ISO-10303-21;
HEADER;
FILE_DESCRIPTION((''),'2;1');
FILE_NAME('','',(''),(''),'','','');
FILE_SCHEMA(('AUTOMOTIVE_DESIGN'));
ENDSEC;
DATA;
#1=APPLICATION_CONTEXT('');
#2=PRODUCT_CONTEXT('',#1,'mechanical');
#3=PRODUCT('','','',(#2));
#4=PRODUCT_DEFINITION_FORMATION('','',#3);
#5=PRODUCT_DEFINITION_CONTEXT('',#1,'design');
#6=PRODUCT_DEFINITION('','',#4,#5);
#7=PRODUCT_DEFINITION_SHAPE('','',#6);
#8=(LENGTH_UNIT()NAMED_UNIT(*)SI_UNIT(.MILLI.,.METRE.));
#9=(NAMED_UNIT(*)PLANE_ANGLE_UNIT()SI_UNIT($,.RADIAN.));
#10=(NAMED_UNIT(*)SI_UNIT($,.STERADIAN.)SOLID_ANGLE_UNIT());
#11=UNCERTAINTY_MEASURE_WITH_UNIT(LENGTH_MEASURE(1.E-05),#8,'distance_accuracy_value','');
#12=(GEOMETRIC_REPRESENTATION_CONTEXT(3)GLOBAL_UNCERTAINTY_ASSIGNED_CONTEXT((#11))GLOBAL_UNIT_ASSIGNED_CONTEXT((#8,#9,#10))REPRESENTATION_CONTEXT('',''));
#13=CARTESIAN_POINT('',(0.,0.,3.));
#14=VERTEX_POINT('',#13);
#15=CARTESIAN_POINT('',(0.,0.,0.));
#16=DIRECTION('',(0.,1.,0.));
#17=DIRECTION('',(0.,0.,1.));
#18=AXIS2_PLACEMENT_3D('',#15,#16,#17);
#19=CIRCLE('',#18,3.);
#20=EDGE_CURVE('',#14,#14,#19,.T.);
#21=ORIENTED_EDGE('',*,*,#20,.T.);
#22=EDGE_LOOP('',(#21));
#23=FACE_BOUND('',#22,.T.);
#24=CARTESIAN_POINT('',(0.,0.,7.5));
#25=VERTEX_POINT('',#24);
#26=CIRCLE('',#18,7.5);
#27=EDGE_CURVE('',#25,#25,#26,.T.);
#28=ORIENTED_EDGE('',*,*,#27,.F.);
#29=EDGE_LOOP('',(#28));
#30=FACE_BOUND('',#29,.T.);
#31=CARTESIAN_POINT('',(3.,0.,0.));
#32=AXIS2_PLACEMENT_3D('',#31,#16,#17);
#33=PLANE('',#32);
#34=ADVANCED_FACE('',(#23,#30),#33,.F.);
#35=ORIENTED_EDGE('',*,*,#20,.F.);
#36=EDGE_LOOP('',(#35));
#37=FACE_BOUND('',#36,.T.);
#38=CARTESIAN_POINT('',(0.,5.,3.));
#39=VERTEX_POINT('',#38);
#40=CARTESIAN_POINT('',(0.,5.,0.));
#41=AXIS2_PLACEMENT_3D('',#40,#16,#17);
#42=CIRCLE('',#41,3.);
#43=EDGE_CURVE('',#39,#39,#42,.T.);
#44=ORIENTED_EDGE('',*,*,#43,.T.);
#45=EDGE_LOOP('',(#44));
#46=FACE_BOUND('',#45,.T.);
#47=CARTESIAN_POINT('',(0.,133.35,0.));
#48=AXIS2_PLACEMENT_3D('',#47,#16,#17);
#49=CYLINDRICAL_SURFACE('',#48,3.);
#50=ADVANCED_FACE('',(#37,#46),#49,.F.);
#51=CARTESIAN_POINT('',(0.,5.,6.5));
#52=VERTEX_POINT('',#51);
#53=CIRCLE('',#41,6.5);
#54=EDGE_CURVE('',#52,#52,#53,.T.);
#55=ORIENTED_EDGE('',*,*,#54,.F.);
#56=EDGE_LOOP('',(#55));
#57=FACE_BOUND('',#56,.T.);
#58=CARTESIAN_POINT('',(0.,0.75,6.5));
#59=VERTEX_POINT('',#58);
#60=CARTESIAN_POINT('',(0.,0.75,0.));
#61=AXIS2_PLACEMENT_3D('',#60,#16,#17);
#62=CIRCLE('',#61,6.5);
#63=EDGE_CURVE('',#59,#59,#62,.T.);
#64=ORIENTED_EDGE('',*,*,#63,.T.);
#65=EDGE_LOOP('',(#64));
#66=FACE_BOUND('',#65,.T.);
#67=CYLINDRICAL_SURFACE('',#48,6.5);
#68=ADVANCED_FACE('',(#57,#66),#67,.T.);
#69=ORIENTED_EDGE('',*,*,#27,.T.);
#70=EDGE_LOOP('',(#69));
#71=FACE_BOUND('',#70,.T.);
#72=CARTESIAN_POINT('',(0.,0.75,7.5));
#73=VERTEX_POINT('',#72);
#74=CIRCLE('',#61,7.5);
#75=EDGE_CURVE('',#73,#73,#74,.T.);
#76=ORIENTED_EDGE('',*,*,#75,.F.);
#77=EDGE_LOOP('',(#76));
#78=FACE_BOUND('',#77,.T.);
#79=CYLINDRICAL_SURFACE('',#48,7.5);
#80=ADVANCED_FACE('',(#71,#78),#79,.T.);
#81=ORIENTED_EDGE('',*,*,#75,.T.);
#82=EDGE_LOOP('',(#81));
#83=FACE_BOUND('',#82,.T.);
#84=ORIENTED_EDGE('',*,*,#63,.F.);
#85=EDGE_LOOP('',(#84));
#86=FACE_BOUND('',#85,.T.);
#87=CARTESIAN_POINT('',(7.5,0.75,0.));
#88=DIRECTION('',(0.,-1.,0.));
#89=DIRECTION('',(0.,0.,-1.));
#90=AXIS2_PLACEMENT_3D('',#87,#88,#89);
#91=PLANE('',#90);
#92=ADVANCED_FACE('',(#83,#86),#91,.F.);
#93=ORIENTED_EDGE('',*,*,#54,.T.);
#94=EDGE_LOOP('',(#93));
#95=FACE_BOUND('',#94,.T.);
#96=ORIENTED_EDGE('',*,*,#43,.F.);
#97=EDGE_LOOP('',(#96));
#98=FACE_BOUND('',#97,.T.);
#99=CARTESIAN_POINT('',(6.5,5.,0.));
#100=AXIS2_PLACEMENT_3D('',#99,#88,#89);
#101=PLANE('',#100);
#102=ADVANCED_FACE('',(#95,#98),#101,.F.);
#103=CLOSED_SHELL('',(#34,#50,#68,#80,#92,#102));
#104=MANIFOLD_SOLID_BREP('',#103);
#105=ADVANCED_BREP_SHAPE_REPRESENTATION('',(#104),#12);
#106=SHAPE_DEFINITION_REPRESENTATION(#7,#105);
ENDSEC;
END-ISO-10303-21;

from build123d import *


with BuildPart() as part:
    # Sketch1 → Revolve1 (revolve)
    with BuildSketch(Plane.XY, mode=Mode.PRIVATE) as revolve1_sk:
        Polygon((3, 0), (7.5, 0), (7.5, 0.75), (6.5, 0.75), (6.5, 5), (3, 5), align=None)
    revolve(revolve1_sk.sketch.rotate(Axis((0, 133.35, 0), (0, -1, 0)), 90), axis=Axis((0, 133.35, 0), (0, -1, 0)))


solid = part.part
